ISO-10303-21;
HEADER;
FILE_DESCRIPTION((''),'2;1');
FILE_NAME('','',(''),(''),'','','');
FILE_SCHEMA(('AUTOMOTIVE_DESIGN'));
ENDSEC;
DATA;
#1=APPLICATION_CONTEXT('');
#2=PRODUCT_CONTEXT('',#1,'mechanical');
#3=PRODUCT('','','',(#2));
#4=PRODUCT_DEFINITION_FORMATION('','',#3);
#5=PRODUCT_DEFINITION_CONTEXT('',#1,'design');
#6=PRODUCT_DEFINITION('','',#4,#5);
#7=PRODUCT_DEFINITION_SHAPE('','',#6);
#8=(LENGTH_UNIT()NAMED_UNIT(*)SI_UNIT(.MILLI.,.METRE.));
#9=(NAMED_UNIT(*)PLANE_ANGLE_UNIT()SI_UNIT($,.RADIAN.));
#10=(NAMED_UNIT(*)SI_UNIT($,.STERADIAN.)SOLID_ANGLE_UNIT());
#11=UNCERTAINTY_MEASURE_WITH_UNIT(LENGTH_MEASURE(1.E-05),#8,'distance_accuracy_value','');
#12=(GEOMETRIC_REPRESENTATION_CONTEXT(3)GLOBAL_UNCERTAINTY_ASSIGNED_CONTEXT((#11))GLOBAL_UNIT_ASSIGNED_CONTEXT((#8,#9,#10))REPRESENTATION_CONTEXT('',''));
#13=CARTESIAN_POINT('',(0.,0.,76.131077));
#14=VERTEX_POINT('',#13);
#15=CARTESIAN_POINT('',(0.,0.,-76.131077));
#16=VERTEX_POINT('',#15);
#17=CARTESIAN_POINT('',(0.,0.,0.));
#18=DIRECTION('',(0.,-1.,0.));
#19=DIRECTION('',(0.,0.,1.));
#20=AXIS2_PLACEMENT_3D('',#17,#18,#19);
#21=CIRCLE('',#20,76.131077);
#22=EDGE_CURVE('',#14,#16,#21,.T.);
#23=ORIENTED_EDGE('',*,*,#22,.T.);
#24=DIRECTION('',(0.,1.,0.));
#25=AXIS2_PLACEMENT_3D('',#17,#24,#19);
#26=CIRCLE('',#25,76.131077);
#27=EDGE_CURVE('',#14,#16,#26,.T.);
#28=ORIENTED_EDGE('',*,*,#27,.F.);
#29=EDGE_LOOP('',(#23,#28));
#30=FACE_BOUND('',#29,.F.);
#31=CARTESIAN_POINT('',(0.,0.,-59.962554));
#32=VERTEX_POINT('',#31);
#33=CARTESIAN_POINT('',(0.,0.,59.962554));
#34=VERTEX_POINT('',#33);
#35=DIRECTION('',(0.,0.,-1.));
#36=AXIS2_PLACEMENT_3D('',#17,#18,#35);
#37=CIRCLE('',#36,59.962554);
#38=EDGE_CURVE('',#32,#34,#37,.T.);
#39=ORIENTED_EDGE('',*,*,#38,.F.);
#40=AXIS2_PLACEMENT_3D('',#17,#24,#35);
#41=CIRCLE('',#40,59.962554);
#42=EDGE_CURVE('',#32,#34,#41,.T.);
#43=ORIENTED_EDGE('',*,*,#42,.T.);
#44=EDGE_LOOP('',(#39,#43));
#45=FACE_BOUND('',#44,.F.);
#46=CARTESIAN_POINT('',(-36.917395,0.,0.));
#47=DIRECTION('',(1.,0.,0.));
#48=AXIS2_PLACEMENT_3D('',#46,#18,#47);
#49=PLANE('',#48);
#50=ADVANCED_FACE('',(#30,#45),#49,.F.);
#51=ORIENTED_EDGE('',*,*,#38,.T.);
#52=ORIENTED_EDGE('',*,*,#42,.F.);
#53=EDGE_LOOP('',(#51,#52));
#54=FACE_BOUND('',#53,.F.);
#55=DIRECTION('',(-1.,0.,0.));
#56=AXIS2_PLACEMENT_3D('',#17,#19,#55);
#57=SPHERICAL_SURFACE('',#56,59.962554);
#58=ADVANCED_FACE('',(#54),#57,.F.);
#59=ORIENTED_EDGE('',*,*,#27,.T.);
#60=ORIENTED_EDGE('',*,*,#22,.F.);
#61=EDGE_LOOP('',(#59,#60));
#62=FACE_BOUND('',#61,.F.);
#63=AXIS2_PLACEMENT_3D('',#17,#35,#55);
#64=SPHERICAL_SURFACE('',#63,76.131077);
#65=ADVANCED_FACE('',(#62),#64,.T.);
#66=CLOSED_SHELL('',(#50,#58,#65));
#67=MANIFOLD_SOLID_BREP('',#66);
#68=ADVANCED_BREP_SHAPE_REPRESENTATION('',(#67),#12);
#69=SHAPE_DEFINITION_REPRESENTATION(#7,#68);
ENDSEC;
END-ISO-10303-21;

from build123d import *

# Parameters (mm, degrees)
F1_ANGLE = 180


with BuildPart() as f1:
    # F0 (on Front) → F1 (revolve)
    with BuildSketch(Plane.XZ):
        with BuildLine():
            Line((0, 59.9625543222), (0, 76.1310771713))
            ThreePointArc((0, 76.1310771713), (-76.1310771713, 0), (0, -76.1310771713))
            Line((0, -76.1310771713), (0, -59.9625543222))
            ThreePointArc((0, -59.9625543222), (-59.9625543222, 0), (0, 59.9625543222))
        make_face()
    revolve(axis=Axis((0, 0, 38.0655385857), (0, 0, 1)), revolution_arc=F1_ANGLE)


solid = f1.part
